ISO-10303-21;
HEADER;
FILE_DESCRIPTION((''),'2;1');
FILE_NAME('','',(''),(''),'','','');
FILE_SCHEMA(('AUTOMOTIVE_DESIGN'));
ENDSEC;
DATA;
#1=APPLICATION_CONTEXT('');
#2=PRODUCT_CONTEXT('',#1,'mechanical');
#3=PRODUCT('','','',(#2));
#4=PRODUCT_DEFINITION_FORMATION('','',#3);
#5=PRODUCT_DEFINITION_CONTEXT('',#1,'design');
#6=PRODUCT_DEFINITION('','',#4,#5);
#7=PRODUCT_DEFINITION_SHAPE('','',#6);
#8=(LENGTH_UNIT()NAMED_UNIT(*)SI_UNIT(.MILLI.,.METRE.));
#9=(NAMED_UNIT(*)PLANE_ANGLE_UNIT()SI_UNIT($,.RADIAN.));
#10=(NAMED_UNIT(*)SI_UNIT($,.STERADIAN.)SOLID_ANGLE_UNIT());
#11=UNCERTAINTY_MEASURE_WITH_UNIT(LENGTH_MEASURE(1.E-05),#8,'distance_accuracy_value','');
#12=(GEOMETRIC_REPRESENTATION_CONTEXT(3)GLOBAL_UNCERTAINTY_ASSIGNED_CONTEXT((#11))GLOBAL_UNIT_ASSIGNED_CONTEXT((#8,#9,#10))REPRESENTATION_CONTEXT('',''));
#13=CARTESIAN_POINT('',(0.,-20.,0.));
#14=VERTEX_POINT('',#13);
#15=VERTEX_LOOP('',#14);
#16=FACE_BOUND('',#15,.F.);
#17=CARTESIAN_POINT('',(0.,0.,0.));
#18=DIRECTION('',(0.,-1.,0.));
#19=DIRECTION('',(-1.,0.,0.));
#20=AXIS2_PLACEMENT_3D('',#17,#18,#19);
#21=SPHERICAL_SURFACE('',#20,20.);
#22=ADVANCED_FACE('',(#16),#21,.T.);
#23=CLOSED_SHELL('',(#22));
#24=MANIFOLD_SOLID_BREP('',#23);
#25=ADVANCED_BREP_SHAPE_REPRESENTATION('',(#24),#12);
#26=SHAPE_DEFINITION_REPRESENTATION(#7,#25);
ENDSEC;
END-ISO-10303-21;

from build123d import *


with BuildPart() as part:
    # 草图1 → 旋转1 (revolve)
    with BuildSketch(Plane.XY):
        with BuildLine():
            Line((0, -20), (0, 20))
            ThreePointArc((0, 20), (-20, 0), (0, -20))
        make_face()
    revolve(axis=Axis((0, 0, 0), (0, 1, 0)))


solid = part.part
